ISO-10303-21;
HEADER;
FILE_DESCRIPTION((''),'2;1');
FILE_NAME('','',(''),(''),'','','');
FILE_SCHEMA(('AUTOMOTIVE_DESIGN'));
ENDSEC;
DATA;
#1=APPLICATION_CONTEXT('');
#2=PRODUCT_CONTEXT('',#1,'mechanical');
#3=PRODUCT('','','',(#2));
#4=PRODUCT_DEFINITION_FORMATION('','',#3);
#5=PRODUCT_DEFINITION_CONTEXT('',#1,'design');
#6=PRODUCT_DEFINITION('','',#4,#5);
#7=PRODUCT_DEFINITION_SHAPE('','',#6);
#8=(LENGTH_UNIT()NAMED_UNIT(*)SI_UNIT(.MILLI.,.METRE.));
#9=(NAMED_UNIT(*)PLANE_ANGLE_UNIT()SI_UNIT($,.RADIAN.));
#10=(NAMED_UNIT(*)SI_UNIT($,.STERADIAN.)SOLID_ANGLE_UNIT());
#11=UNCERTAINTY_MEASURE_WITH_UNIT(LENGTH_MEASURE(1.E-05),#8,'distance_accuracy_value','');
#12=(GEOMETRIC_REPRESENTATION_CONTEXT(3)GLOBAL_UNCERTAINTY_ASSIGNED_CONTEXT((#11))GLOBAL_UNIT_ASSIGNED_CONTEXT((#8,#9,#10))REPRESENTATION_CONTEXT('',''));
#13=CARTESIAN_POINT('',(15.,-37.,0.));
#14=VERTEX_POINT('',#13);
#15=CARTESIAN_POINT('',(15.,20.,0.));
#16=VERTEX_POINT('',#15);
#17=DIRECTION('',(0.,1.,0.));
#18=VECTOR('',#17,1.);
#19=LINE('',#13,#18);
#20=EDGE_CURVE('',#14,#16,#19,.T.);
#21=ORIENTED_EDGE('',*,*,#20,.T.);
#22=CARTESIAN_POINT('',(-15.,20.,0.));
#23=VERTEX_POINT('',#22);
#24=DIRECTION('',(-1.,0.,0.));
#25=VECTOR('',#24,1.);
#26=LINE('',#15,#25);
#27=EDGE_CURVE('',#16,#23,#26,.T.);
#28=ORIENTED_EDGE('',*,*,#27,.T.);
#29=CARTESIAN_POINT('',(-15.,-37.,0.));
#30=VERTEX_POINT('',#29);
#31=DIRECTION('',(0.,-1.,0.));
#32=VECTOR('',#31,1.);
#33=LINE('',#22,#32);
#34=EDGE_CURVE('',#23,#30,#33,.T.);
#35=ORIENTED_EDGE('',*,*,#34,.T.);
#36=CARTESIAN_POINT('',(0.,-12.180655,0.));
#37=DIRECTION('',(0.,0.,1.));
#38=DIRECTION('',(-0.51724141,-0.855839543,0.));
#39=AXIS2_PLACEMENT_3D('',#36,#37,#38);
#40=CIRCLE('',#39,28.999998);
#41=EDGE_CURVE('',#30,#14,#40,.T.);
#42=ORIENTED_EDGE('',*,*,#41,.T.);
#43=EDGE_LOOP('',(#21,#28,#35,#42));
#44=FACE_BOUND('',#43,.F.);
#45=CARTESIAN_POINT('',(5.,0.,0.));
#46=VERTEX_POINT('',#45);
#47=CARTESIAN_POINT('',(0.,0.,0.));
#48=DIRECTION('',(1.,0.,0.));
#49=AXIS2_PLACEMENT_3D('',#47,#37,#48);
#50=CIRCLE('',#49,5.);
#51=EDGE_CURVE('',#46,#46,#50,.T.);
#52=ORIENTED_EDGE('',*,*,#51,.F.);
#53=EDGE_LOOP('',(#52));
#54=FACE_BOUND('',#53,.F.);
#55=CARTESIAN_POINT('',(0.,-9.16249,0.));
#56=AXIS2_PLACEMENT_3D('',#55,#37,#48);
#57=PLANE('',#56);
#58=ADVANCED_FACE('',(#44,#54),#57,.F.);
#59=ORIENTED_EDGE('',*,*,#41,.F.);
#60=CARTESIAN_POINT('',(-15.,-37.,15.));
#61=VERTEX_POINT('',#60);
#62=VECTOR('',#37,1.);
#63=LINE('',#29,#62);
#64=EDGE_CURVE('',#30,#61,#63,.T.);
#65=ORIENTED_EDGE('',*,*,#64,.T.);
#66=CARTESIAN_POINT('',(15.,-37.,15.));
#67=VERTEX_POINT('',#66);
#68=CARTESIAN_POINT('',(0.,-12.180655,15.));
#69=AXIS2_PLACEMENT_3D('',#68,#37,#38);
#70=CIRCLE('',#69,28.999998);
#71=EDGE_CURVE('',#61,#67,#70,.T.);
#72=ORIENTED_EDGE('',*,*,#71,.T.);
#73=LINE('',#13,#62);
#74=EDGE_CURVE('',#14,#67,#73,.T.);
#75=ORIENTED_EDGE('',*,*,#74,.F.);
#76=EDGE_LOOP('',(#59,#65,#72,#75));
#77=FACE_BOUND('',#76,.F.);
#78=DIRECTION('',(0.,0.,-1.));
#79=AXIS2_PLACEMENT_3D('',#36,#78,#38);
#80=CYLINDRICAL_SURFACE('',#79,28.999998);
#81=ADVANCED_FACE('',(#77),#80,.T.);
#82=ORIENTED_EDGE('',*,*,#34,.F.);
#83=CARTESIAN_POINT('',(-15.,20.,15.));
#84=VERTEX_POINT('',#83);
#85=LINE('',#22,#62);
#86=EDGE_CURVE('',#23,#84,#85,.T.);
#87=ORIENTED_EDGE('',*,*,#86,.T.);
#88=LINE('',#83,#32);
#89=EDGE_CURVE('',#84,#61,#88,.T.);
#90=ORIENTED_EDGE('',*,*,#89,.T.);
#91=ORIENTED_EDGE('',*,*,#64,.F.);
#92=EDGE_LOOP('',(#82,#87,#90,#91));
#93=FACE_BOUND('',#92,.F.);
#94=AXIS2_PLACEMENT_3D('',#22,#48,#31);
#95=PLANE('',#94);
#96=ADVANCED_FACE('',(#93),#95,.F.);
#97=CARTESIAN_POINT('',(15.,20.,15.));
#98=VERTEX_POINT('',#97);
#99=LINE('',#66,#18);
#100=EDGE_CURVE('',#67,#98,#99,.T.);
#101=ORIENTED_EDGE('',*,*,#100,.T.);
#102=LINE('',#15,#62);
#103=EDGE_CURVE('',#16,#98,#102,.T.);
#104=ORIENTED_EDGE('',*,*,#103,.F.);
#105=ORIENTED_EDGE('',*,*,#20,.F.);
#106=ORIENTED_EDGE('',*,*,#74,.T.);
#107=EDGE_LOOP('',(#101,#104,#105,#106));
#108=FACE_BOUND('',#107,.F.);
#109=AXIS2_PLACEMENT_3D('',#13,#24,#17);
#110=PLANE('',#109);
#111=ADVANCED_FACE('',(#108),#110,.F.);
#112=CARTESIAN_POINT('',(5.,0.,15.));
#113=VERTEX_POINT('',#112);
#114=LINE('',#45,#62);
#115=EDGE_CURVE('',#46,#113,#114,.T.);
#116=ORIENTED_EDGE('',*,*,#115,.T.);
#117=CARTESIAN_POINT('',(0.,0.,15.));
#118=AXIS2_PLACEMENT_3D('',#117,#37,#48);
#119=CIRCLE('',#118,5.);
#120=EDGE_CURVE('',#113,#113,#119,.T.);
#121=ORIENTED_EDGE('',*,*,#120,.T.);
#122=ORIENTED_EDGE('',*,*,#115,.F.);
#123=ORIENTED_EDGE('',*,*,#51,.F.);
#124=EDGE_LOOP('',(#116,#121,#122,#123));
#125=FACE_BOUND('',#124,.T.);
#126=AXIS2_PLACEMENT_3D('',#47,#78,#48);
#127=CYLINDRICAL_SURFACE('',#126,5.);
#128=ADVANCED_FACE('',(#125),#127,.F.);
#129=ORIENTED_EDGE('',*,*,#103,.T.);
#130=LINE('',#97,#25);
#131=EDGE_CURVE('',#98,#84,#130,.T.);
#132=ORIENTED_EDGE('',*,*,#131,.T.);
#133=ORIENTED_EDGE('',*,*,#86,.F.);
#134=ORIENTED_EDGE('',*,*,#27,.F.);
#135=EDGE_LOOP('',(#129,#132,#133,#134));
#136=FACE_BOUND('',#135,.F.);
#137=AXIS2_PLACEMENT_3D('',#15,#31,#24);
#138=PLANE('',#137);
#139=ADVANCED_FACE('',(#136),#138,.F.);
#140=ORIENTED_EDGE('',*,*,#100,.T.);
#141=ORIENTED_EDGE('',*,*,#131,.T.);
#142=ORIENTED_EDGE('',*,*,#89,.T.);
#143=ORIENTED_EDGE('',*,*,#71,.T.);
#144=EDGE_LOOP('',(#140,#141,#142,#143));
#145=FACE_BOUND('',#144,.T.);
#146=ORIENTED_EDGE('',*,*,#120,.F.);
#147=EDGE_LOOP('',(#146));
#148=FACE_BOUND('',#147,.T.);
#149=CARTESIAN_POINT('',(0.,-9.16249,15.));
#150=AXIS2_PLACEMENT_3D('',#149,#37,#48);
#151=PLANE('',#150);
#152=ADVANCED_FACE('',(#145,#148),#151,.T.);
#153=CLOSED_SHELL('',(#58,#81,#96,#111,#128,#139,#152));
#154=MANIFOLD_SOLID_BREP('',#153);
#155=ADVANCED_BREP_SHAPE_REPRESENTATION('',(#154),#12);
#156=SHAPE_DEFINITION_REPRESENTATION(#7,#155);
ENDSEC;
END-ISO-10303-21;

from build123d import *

# Parameters (mm, degrees)
F0_R     = 5
F1_DEPTH = 15


with BuildPart() as f1:
    # F0 (on Top) → F1 (new body)
    with BuildSketch(Plane.XY):
        with BuildLine():
            Line((15, -37), (15, 20))
            Line((15, 20), (-15, 20))
            Line((-15, 20), (-15, -37))
            ThreePointArc((-15, -37), (0, -41.180653), (15, -37))
        make_face()
        Circle(F0_R, mode=Mode.SUBTRACT)
    extrude(amount=F1_DEPTH)


solid = f1.part
